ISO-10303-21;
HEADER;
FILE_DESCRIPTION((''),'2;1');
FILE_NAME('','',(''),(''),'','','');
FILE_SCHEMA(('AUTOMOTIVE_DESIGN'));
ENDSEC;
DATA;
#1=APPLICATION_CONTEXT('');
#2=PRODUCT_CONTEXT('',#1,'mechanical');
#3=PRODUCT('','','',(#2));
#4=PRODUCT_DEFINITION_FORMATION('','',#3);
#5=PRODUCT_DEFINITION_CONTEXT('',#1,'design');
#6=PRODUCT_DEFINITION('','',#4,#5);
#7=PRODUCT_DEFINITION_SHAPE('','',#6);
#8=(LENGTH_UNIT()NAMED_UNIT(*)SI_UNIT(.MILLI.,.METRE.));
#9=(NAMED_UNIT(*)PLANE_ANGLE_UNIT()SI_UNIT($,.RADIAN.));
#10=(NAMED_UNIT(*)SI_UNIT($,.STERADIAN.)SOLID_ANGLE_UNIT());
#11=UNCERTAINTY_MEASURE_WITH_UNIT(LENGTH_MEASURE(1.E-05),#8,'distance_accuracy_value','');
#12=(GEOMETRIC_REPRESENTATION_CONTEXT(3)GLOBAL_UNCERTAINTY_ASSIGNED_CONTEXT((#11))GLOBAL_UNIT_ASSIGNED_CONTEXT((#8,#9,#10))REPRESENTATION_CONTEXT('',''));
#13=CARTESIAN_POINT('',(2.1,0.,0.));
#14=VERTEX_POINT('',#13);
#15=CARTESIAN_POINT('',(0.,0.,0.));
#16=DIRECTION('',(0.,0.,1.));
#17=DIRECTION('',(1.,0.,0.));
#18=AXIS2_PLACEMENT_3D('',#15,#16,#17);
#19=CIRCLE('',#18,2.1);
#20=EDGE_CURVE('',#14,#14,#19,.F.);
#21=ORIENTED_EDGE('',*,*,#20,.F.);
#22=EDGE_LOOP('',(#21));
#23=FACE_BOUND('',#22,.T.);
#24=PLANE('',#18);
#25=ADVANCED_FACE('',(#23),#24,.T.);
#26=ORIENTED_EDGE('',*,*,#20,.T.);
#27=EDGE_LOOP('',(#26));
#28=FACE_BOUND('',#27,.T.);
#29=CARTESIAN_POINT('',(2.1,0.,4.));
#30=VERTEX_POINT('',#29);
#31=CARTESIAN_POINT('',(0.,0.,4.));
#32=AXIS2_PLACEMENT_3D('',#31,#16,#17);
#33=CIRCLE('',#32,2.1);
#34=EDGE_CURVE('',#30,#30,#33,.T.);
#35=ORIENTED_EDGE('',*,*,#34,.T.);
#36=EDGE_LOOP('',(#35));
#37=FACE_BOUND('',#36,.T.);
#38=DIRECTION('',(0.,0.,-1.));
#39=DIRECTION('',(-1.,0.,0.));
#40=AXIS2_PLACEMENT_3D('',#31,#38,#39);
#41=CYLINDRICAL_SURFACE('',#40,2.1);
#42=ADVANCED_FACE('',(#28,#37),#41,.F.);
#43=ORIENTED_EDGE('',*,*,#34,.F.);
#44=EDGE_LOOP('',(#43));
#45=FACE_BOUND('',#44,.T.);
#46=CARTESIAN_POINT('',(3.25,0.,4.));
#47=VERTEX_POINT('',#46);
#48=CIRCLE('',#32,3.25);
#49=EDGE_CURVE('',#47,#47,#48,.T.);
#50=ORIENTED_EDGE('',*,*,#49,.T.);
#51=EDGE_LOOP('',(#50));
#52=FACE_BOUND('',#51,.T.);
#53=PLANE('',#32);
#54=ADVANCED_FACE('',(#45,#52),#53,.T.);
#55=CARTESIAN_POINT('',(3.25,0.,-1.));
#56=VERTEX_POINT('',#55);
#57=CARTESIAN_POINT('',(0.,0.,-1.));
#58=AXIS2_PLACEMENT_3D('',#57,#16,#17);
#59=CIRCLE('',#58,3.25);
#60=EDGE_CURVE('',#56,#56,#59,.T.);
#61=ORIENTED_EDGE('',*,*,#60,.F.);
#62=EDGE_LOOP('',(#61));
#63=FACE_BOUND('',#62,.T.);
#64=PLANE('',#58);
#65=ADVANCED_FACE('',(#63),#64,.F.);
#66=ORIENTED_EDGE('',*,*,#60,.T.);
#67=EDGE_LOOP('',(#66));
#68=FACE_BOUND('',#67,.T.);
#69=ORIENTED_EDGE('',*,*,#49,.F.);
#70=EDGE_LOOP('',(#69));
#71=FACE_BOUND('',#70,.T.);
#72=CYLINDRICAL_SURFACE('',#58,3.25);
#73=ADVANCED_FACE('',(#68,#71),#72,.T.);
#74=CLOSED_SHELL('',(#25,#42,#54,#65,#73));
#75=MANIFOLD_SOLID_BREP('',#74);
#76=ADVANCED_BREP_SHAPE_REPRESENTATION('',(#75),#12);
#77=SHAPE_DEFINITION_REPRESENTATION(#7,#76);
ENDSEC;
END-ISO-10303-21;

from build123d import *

# Parameters (mm, degrees)
ESQUISSE1_R        = 3.25
BOSS_EXTRU_1_DEPTH = 1
BOSS_EXTRU_2_START = 4
ESQUISSE1_3_R      = 3.25
ESQUISSE1_3_R_2    = 2.1
BOSS_EXTRU_2_DEPTH = 4


with BuildPart() as part:
    # Esquisse1 → Boss.-Extru.1 (new body)
    with BuildSketch(Plane.XY):
        Circle(ESQUISSE1_R)
    extrude(amount=-BOSS_EXTRU_1_DEPTH)

    # Esquisse1<3> → Boss.-Extru.2 (add)
    with BuildSketch(Plane.XY.offset(BOSS_EXTRU_2_START)):
        Circle(ESQUISSE1_3_R)
        Circle(ESQUISSE1_3_R_2, mode=Mode.SUBTRACT)
    extrude(amount=-BOSS_EXTRU_2_DEPTH)


solid = part.part
